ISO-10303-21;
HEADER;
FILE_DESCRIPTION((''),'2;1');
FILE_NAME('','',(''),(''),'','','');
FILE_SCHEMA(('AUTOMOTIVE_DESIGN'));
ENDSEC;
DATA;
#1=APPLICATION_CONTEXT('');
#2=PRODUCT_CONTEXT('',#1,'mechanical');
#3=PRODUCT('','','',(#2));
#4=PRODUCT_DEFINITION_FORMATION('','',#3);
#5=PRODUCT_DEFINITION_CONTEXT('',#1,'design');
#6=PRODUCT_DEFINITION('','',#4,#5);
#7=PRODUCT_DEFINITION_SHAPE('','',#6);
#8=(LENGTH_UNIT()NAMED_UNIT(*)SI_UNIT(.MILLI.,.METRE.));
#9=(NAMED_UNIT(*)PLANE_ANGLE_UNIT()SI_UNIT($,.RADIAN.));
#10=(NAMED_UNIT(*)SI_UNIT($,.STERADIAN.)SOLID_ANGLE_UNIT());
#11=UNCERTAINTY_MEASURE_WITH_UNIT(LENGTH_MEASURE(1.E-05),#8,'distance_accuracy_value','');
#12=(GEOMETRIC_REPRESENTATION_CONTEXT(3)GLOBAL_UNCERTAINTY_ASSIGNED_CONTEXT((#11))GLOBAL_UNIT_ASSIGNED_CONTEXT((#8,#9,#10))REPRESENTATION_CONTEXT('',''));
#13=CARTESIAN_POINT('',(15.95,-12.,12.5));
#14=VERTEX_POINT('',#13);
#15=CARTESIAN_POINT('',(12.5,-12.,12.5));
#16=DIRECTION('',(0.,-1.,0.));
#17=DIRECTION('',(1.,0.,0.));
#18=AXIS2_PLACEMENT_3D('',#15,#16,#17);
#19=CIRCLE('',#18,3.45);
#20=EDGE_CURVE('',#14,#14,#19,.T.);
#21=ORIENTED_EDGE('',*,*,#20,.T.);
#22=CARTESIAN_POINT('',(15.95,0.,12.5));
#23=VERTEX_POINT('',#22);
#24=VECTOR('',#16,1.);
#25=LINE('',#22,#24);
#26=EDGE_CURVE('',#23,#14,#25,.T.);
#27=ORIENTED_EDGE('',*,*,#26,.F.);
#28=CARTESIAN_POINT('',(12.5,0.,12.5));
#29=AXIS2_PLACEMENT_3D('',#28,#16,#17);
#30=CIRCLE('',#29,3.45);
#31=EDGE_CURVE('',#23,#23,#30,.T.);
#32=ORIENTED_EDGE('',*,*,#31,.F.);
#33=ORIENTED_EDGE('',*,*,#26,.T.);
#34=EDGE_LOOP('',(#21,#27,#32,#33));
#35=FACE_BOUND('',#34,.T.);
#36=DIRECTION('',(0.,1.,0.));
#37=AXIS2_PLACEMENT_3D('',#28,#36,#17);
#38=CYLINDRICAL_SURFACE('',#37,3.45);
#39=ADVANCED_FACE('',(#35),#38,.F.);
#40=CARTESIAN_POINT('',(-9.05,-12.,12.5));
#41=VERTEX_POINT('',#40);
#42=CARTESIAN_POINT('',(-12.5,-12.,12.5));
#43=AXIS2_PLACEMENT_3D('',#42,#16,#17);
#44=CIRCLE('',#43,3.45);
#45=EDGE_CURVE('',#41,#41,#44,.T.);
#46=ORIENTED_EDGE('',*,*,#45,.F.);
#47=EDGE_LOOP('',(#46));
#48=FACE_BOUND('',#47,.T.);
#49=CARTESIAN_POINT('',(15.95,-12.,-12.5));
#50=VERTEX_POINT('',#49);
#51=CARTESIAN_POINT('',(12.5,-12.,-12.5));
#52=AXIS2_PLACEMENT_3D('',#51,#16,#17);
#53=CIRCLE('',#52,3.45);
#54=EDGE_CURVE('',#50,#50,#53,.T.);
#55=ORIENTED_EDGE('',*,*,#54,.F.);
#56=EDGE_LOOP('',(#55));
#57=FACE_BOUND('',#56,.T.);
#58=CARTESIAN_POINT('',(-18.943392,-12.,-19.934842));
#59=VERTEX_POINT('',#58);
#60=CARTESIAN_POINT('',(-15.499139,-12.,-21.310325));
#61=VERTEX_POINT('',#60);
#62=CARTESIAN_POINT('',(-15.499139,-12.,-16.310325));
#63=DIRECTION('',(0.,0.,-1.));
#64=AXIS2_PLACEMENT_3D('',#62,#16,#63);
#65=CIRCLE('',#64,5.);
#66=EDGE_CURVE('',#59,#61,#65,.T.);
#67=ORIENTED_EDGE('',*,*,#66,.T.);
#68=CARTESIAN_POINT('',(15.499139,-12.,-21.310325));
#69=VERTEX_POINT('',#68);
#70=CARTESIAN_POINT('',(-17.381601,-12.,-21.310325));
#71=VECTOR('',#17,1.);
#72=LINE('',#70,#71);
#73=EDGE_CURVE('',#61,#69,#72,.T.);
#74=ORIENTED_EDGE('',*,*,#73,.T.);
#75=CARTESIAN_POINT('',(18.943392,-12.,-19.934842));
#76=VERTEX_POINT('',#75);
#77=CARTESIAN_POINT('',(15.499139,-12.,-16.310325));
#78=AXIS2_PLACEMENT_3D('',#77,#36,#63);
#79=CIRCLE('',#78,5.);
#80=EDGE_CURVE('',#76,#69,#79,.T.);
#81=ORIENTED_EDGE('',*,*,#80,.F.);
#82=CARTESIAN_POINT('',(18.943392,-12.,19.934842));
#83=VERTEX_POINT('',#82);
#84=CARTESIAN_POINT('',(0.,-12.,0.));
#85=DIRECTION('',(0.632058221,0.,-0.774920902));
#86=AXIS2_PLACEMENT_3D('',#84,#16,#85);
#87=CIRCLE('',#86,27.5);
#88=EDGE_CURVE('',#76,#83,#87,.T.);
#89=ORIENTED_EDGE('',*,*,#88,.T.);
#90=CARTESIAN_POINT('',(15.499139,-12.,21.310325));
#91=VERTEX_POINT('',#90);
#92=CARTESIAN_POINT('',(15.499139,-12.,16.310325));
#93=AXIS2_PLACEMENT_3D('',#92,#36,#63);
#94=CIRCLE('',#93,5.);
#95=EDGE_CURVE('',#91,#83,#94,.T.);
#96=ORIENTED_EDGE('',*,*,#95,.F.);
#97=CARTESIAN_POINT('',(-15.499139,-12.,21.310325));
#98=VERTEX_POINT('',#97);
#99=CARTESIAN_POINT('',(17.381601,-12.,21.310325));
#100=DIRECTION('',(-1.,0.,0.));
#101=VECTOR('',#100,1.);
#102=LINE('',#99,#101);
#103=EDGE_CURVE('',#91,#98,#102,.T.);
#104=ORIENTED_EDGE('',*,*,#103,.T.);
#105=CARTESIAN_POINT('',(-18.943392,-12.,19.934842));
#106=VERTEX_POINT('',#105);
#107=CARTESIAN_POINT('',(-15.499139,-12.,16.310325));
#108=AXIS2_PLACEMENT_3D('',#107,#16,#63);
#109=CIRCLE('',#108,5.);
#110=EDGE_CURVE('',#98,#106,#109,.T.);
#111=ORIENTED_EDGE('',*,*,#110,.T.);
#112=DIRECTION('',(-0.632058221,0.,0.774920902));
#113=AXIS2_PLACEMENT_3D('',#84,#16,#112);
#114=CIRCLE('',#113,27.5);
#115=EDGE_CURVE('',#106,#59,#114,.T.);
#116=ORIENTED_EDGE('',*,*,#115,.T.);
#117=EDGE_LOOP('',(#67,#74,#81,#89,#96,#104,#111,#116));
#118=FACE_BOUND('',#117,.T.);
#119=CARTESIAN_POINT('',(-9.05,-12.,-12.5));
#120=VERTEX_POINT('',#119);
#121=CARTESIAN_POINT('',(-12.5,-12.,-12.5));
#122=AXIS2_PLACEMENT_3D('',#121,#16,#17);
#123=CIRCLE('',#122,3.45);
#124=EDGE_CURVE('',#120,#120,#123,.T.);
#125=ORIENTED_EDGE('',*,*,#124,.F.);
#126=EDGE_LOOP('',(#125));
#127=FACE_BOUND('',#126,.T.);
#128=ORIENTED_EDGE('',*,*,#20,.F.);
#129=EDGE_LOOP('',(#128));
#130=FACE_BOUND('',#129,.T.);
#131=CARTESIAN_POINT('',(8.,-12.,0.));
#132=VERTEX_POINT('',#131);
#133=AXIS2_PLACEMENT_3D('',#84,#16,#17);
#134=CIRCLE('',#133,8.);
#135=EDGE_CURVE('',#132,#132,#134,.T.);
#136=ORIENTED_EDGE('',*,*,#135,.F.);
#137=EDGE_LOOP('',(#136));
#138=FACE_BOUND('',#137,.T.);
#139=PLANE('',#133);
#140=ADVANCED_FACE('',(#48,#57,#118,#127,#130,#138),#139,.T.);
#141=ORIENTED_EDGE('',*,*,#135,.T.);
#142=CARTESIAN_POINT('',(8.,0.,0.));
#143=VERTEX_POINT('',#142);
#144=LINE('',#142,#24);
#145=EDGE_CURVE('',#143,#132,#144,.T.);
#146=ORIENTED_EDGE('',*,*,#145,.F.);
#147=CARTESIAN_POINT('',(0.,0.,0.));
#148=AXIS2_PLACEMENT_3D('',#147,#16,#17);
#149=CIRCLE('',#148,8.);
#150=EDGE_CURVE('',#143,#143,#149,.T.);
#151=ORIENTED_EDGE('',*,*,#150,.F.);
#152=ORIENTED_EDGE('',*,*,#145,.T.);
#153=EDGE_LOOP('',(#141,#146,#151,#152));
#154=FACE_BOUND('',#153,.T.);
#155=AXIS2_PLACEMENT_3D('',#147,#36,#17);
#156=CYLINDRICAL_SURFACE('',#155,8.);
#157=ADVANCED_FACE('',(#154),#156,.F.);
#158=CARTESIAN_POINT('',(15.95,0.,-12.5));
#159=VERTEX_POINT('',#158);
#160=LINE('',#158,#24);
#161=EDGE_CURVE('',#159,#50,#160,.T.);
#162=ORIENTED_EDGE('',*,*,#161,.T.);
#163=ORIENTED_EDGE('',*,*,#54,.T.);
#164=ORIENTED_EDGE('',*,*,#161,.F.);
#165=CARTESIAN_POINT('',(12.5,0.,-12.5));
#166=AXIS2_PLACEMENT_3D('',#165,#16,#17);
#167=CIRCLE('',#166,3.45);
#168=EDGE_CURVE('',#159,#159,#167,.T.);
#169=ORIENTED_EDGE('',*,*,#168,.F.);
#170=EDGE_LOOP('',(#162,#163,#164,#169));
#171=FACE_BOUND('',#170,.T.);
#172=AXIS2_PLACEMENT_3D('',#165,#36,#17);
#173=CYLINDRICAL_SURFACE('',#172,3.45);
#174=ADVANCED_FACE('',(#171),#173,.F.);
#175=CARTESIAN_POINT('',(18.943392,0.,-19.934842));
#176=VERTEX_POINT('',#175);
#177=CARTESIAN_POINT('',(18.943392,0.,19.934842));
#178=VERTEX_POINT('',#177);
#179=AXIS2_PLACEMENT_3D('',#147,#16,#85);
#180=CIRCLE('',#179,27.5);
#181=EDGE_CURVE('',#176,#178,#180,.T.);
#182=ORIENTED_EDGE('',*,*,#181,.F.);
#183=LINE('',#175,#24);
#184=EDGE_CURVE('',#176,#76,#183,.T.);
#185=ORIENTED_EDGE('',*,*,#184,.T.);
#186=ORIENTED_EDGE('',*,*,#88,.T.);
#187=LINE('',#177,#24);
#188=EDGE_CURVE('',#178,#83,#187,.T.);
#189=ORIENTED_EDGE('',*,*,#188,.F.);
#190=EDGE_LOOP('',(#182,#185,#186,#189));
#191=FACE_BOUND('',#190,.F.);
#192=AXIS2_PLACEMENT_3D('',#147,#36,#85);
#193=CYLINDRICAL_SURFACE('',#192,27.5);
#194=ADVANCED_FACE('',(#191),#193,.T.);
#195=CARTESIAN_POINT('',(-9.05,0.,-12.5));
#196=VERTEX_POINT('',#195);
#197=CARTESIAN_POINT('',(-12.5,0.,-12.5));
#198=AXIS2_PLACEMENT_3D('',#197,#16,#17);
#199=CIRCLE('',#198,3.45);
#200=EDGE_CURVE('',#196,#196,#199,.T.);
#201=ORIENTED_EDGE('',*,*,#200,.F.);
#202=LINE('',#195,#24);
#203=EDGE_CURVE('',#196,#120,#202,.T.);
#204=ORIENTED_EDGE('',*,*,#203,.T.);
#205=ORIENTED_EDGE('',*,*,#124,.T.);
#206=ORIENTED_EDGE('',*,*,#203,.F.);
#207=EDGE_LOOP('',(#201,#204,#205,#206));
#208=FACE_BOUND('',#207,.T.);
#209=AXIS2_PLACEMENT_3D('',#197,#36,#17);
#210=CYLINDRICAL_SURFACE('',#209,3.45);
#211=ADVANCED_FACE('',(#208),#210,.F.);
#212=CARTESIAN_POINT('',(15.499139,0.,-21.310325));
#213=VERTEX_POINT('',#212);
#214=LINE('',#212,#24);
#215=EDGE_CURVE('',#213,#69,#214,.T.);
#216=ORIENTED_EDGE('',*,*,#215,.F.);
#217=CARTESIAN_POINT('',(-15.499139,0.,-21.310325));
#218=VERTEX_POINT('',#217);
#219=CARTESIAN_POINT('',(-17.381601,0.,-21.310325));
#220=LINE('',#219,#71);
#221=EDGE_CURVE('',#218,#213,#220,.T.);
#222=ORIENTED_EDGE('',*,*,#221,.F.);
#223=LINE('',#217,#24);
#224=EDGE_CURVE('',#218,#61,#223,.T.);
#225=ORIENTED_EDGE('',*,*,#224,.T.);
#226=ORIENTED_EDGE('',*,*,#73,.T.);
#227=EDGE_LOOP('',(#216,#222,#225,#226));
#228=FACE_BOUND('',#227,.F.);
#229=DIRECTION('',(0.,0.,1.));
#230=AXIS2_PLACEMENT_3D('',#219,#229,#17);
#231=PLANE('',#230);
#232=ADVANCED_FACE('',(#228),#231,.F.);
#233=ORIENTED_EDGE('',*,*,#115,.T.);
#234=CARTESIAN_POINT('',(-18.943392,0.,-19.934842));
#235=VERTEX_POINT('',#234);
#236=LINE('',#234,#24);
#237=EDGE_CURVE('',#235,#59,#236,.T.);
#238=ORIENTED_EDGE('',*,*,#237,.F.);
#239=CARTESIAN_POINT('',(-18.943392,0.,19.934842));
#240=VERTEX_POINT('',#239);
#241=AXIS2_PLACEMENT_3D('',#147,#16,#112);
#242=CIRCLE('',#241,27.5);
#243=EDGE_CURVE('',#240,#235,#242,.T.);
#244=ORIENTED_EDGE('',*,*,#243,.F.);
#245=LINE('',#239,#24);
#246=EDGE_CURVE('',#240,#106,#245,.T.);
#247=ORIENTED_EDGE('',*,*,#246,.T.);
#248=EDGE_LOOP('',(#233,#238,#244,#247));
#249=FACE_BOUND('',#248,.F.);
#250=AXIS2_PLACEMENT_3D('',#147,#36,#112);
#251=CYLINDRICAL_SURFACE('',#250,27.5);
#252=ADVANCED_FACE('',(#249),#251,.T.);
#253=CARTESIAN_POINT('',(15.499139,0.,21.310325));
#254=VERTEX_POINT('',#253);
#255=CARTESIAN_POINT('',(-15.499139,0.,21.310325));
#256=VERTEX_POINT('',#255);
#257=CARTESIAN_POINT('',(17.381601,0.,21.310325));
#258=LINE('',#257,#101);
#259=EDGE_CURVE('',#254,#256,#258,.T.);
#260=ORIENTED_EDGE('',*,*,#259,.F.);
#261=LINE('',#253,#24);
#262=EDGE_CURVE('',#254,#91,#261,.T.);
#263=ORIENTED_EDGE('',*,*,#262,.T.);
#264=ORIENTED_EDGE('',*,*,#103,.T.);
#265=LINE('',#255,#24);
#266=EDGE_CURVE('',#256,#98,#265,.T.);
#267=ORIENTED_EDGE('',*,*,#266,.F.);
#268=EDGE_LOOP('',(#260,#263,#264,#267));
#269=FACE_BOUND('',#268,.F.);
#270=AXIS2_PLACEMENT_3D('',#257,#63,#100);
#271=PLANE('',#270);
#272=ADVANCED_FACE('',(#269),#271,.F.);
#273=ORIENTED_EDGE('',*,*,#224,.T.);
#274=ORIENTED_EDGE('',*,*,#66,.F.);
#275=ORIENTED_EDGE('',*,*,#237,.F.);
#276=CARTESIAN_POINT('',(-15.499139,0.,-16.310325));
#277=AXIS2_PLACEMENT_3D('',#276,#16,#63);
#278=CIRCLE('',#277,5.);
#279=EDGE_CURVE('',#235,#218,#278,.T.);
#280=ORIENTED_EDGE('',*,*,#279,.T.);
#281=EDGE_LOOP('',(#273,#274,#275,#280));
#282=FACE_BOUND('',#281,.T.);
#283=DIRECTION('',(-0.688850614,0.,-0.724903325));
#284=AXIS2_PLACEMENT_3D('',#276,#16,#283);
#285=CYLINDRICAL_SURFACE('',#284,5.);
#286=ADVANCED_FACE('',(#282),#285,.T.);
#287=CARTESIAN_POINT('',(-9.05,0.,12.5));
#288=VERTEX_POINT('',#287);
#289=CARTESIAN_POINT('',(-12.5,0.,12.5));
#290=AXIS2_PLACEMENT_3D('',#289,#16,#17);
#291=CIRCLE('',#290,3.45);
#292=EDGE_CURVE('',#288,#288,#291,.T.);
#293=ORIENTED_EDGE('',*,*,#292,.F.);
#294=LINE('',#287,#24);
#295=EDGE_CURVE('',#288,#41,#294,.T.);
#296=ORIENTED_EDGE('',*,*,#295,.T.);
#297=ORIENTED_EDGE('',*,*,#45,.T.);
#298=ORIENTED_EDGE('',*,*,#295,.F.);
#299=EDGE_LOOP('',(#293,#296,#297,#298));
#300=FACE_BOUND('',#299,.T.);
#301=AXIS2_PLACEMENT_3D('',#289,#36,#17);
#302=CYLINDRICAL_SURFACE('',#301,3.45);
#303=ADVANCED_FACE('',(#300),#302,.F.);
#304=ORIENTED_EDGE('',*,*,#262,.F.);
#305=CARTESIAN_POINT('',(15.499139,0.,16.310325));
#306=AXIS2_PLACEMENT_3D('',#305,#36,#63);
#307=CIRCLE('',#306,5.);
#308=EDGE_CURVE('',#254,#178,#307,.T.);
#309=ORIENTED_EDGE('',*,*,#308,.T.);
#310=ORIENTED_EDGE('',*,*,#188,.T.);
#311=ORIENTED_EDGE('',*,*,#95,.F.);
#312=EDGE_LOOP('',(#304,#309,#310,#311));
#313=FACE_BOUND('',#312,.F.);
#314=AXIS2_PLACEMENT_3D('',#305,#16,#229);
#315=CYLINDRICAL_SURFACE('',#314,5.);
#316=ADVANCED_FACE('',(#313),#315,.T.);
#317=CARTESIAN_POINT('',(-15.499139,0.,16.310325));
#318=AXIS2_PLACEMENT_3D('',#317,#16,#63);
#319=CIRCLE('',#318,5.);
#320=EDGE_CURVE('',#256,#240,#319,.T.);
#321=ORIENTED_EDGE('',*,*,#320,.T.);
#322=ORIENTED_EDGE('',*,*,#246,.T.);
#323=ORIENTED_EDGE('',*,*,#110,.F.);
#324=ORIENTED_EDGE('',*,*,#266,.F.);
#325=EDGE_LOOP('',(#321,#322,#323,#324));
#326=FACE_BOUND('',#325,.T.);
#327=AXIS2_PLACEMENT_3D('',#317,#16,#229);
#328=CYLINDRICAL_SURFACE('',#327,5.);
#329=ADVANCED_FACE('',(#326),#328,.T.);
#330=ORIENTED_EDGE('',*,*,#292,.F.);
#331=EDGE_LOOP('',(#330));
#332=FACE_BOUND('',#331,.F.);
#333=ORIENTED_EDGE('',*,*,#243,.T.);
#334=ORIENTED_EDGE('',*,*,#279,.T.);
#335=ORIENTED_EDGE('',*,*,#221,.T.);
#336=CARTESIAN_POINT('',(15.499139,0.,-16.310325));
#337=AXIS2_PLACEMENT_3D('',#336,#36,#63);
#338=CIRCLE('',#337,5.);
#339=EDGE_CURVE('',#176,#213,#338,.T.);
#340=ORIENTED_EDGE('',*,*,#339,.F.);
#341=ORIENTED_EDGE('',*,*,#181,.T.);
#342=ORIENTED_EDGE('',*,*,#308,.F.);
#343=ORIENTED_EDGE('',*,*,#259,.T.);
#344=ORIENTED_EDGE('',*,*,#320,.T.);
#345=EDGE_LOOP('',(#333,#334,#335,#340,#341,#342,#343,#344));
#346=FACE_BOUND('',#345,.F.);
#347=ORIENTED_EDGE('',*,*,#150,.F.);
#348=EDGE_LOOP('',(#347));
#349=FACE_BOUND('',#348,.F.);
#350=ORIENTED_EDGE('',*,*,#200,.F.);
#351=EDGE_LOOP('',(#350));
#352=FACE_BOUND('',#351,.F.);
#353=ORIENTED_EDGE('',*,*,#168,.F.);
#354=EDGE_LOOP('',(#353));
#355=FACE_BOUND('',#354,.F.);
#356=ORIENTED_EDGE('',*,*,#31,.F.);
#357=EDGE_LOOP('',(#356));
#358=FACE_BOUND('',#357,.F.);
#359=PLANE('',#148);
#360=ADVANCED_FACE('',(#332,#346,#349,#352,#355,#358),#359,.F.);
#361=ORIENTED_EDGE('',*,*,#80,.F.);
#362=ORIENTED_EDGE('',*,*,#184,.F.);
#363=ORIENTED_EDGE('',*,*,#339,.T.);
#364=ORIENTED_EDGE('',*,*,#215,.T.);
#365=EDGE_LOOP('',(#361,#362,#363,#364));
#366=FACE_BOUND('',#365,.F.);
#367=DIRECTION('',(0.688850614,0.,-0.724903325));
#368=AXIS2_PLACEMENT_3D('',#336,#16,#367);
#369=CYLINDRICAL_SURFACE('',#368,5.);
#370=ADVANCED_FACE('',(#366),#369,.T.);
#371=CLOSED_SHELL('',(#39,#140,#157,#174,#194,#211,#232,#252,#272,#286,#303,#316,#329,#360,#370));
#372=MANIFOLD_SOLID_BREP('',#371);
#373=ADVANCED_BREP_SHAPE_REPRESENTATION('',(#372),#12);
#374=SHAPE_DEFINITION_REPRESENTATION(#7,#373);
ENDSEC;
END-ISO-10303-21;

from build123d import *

# Parameters (mm, degrees)
F0_R     = 3.45
F0_R_2   = 8
F1_DEPTH = 12
F2_R     = 5


with BuildPart() as f1:
    # F0 (on Front) → F1 (new body)
    with BuildSketch(Plane.XZ):
        with BuildLine():
            Line((17.381601, 21.310325), (-17.381601, 21.310325))
            ThreePointArc((-17.381601, 21.310325), (-27.5, 0), (-17.381601, -21.310325))
            Line((-17.381601, -21.310325), (17.381601, -21.310325))
            ThreePointArc((17.381601, -21.310325), (27.5, 0), (17.381601, 21.310325))
        make_face()
        with Locations((-12.5, -12.5)):
            Circle(F0_R, mode=Mode.SUBTRACT)
        with Locations((12.5, -12.5)):
            Circle(F0_R, mode=Mode.SUBTRACT)
        Circle(F0_R_2, mode=Mode.SUBTRACT)
        with Locations((-12.5, 12.5)):
            Circle(F0_R, mode=Mode.SUBTRACT)
        with Locations((12.5, 12.5)):
            Circle(F0_R, mode=Mode.SUBTRACT)
    extrude(amount=F1_DEPTH)

    # F2
    f2_edges = [f1.edges().sort_by_distance(p)[0] for p in [
        (-17.381601, -6, 21.310325),
        (17.381601, -6, 21.310325),
        (17.381601, -6, -21.310325),
        (-17.381601, -6, -21.310325),
    ]]
    fillet(f2_edges, radius=F2_R)


solid = f1.part
